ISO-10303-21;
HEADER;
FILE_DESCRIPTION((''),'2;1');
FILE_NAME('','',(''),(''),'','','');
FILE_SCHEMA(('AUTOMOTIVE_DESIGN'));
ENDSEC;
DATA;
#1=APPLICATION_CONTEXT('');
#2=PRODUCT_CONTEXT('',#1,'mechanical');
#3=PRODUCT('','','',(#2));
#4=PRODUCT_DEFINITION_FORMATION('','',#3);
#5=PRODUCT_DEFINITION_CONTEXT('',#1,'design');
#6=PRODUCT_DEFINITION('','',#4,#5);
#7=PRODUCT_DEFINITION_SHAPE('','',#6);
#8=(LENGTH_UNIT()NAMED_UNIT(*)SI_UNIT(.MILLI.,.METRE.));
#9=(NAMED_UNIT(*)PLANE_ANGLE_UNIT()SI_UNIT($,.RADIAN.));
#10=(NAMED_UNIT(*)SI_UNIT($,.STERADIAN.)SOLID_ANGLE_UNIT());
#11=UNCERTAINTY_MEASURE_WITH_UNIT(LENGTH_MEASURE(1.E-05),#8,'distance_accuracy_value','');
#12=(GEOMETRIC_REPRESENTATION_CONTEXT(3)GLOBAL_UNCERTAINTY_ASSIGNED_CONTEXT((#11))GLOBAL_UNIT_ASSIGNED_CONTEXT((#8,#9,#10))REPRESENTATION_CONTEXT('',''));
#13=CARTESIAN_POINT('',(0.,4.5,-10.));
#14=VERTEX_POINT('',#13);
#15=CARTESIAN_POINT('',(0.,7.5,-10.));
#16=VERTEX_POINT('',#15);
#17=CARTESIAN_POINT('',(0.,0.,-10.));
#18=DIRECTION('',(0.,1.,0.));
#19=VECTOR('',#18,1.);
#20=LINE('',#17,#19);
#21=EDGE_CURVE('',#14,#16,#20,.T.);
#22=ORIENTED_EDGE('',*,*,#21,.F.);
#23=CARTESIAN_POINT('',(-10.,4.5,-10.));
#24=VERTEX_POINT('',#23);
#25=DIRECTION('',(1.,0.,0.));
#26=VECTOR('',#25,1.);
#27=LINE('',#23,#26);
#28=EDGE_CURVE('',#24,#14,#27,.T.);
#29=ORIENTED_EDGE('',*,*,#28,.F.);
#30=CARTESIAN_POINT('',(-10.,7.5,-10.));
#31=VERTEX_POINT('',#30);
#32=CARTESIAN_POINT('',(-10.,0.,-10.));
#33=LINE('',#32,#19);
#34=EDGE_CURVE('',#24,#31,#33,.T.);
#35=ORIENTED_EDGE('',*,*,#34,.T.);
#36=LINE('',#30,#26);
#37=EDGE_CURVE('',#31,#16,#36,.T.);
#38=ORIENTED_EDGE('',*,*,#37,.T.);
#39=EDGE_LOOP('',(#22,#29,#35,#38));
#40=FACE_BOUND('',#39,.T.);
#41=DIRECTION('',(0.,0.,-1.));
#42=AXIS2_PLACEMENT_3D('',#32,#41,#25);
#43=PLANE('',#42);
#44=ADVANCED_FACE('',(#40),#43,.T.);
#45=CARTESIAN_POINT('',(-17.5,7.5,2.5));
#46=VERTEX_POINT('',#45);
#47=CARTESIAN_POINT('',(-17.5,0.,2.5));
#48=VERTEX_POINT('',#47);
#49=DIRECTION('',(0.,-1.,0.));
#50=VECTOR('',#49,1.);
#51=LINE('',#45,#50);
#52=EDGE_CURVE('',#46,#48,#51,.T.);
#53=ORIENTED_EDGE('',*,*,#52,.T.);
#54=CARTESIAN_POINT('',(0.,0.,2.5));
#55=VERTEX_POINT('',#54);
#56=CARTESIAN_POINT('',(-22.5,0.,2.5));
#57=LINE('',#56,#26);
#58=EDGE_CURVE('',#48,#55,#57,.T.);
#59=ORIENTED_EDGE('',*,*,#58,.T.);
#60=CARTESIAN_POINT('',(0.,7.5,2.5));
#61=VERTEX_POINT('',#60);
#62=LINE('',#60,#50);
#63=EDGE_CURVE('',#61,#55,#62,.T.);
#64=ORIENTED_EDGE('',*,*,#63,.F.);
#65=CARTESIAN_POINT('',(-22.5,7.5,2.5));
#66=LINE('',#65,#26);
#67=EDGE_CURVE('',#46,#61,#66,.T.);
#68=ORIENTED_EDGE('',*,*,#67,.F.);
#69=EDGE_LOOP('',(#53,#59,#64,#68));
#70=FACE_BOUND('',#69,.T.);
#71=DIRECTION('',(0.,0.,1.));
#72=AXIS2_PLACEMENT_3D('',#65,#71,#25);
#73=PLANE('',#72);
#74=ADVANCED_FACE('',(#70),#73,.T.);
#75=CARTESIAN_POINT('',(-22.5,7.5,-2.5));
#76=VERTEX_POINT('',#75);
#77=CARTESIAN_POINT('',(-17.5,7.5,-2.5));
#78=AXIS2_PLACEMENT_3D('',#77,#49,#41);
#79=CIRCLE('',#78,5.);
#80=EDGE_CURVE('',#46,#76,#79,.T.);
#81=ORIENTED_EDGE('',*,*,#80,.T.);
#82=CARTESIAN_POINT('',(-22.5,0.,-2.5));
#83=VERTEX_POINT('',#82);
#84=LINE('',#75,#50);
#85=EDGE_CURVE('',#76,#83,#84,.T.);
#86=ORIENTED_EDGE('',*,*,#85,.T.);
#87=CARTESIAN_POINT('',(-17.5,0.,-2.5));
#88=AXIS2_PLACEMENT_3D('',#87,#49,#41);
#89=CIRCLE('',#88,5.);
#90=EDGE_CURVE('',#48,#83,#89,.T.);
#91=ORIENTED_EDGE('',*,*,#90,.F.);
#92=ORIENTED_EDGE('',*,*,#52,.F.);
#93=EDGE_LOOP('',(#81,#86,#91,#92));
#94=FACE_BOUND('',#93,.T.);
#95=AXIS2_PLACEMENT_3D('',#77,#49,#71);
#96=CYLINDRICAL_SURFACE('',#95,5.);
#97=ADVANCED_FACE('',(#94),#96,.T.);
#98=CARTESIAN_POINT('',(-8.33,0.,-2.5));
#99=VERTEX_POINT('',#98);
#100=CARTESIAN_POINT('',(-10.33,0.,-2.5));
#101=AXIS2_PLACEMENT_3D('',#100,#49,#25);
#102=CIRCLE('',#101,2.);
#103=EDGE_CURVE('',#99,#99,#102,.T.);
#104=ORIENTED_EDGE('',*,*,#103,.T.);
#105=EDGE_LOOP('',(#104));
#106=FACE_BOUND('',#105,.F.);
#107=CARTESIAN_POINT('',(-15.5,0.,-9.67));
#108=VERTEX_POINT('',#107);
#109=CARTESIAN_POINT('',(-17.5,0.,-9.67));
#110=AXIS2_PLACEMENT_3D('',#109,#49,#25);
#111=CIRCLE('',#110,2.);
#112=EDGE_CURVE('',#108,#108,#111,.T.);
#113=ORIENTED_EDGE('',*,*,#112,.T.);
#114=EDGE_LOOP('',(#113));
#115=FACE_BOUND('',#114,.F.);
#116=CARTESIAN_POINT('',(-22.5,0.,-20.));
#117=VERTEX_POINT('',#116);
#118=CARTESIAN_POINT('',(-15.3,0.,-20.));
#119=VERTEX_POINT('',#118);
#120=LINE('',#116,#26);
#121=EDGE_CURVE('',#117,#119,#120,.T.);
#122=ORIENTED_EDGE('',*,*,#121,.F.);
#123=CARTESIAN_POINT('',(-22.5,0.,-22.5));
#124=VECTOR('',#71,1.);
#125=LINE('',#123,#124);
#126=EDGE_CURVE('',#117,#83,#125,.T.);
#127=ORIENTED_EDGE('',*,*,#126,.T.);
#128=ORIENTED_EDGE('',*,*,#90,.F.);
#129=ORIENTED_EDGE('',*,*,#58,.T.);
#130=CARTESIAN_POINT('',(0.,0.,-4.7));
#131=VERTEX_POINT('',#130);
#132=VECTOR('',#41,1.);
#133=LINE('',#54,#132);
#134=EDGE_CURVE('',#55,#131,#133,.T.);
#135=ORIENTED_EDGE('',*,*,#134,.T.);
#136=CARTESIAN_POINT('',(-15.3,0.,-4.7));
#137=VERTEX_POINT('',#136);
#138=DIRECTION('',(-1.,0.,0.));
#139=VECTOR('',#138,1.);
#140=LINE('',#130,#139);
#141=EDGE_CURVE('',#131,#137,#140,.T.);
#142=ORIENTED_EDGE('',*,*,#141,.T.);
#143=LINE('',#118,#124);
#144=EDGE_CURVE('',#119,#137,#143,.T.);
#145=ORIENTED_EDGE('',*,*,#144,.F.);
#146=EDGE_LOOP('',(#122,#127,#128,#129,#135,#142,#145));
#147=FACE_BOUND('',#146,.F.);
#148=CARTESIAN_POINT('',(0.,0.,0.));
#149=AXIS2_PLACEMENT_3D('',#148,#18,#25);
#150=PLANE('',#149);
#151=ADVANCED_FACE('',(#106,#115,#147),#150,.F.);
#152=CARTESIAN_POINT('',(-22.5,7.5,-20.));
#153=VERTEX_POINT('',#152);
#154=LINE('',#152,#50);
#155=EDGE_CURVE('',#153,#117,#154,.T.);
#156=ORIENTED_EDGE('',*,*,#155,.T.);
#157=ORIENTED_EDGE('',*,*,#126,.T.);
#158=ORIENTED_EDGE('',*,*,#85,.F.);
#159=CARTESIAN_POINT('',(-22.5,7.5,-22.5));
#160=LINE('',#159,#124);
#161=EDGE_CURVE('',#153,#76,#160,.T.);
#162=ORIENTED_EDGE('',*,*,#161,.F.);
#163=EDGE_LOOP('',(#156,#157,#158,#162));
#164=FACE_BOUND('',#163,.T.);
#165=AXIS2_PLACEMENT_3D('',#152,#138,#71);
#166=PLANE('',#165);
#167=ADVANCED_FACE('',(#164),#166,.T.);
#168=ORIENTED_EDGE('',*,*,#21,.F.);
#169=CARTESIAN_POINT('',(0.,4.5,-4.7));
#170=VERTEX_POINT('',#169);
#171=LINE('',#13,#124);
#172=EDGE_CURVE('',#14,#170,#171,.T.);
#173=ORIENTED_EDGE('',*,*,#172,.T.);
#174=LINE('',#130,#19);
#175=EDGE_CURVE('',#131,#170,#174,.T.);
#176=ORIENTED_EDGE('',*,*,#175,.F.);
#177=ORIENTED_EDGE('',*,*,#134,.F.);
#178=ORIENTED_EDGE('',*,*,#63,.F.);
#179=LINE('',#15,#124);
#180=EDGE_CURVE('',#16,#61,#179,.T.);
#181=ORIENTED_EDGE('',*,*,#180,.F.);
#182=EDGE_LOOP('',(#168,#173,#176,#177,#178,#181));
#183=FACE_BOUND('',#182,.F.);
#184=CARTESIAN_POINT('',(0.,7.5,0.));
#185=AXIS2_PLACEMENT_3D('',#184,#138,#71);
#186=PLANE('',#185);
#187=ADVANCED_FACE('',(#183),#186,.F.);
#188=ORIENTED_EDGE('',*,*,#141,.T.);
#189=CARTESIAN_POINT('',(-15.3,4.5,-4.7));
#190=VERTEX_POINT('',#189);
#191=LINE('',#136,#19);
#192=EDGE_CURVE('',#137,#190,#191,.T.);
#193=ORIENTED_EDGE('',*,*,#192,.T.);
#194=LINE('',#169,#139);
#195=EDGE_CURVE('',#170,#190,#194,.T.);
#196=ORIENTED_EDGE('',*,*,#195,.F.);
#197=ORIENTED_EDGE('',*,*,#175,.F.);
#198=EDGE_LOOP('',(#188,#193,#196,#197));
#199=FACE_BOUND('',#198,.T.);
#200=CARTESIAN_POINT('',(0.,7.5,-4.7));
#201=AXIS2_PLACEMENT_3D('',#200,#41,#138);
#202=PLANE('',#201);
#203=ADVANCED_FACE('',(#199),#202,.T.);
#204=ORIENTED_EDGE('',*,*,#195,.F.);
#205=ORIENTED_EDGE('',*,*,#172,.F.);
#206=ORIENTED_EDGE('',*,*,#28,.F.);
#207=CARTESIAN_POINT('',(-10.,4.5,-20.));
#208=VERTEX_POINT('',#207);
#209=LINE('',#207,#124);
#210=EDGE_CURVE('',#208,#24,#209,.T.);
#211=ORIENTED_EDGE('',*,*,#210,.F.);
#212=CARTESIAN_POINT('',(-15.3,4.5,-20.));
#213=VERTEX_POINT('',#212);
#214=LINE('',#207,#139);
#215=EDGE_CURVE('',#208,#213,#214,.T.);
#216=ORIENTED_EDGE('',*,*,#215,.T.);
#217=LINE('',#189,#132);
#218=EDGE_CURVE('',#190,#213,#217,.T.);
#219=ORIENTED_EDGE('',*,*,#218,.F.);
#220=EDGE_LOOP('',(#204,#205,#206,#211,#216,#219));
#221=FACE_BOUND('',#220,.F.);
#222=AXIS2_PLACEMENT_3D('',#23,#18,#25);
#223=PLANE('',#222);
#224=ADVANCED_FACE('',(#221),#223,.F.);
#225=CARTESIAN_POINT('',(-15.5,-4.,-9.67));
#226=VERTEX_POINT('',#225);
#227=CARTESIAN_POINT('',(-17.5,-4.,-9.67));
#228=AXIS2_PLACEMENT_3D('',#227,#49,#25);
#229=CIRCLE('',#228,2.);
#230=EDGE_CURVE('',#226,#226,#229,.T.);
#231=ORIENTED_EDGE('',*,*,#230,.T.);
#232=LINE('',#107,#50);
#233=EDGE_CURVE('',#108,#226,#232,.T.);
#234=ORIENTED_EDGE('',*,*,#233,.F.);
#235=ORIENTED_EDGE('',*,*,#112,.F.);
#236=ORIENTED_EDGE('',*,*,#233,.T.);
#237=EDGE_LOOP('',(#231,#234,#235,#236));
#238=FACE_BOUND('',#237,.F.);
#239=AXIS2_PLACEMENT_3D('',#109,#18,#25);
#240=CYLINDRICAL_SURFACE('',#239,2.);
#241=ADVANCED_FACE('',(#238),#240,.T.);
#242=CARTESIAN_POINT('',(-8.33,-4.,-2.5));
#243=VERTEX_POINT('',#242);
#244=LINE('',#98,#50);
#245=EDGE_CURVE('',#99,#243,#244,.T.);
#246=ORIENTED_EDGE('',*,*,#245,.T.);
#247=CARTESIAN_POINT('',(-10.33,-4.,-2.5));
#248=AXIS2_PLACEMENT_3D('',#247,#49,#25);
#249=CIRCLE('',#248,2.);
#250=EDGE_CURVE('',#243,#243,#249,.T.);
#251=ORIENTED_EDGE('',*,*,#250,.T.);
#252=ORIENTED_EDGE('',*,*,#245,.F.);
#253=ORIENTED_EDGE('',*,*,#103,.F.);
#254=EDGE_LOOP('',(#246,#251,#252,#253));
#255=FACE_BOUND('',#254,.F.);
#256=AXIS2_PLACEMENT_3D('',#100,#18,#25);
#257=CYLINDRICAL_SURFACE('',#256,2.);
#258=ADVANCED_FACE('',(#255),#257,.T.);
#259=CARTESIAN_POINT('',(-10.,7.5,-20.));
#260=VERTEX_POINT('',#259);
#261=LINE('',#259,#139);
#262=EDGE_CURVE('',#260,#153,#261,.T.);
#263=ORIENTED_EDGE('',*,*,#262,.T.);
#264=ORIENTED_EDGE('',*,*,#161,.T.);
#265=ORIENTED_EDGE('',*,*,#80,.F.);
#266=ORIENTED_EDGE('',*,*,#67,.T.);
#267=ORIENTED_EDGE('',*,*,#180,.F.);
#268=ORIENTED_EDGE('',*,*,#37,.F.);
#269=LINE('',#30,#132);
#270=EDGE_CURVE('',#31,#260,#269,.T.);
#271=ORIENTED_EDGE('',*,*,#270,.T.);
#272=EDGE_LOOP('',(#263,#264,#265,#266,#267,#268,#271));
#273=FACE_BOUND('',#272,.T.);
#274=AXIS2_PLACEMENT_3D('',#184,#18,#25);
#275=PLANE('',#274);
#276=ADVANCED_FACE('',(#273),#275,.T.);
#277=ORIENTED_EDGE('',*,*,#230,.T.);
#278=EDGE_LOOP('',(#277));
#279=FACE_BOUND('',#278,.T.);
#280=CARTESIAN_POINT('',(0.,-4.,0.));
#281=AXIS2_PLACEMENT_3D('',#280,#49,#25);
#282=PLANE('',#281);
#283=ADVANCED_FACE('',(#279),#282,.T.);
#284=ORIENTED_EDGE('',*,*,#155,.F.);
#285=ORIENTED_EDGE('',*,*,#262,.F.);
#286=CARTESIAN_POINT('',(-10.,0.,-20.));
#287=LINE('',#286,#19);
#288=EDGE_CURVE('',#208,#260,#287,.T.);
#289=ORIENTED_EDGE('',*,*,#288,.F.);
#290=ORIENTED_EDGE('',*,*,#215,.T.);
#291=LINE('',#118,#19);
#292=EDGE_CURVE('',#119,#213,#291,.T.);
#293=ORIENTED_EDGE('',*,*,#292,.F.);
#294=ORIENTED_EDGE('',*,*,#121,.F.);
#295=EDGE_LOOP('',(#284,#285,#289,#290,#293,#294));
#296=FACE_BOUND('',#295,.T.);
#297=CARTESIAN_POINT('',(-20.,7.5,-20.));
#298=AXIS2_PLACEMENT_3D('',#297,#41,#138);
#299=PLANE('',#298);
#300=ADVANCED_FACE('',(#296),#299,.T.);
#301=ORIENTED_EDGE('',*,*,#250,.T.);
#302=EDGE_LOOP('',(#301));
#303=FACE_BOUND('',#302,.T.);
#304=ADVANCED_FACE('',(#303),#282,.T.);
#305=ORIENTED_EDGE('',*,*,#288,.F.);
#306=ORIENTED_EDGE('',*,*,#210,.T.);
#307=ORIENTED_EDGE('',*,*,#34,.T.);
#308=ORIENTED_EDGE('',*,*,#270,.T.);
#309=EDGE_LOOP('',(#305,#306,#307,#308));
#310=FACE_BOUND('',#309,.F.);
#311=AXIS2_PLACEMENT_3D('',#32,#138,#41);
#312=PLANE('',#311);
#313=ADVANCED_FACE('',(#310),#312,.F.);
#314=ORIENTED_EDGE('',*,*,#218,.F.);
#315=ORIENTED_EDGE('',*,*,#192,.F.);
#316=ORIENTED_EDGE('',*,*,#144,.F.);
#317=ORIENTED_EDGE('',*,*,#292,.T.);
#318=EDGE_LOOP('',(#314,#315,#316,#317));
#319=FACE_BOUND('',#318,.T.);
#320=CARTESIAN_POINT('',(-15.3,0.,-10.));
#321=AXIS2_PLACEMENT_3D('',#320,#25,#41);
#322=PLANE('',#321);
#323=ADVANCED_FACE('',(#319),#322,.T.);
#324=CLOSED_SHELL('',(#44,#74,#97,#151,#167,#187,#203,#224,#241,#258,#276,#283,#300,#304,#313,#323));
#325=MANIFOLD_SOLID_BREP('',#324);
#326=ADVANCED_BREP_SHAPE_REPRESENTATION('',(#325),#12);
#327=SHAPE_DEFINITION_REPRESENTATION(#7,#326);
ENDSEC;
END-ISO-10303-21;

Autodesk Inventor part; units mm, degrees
ref_plane "YZ Plane" through (0, 0, 0) normal (1, 0, 0) x (0, 1, 0)
ref_plane "XZ Plane" through (0, 0, 0) normal (0, 1, 0) x (-1, 0, 0)
ref_plane "XY Plane" through (0, 0, 0) normal (0, 0, 1) x (1, 0, 0)
sketch "Sketch1" plane through (0, 0, 0) normal (0, 1, 0) x (-1, 0, 0)
  line L0 (0, 0) -> (10, 0)
  line L1 (0, 0) -> (20, 0)
  line L2 (20, 0) -> (20, -20)
  line L3 (20, -20) -> (0, -20)
  line L4 (0, -10) -> (0, 0)
  line L5 (10, -10) -> (10, -20)
  line L6 (10, -10) -> (0, -10)
  dimension "d3" = 20
  dimension "d4" = 20
extrude "Extrusion1" add sketch "Sketch1" along normal blind 7.5
sketch "Sketch2" plane through (-10, 0, -10) normal (1, 0, 0) x (0, 0, -1)
  line L0 (0, 0) -> (10, 0) projected
  line L1 (10, 0) -> (10, 7.5) projected
  line L2 (0, 7.5) -> (10, 7.5) projected
  line L3 (0, 0) -> (0, 7.5) projected
  line L4 (-10, 0) -> (0, 0) projected
  line L5 (0, 0) -> (0, 7.5) projected
  line L6 (-10, 7.5) -> (0, 7.5) projected
  line L7 (-10, 0) -> (-10, 7.5) projected
  line L8 (10, 0) -> (10, 7.5) projected
  line L9 (10, 4.5) -> (-10, 4.5)
  point P0 (0, 4.5)
  dimension "d18" = 4.5
extrude "Extrusion2" cut sketch "Sketch2" against normal blind 5.3 contours L3 L9 L1 L0
sketch "Sketch3" plane through (0, 7.5, -10) normal (0, 0, -1) x (-1, 0, 0)
  line L0 (0, -7.5) -> (15.3, -7.5) projected
  line L1 (15.3, -7.5) -> (15.3, -3) projected
  line L2 (10, -3) -> (15.3, -3) projected
  line L3 (10, -3) -> (10, 0) projected
  line L4 (0, 0) -> (10, 0) projected
  line L5 (0, -7.5) -> (0, 0) projected
  line L6 (10, -3) -> (0, -3)
  line L7 (0, -7.5) -> (0, 0) projected
extrude "Extrusion3" cut sketch "Sketch3" against normal blind 5.3 contours L5 L6 L2 L1 L0
sketch "Sketch4" plane through (0, 0, 0) normal (0, -1, 0) x (1, 0, 0)
  line L0 (-15.3, -20) -> (-15.3, -4.7) projected
  line L1 (-15.3, -4.7) -> (0, -4.7) projected
  line L2 (0, 0) -> (0, -4.7) projected
  line L3 (-20, 0) -> (0, 0) projected
  line L4 (-20, -20) -> (-20, 0) projected
  line L5 (-15.3, -20) -> (-20, -20) projected
  line L6 (0, 0) -> (0, -10) projected
  circle A0 centre (-10.33, -2.5) radius 2
  circle A1 centre (-17.5, -9.67) radius 2
  dimension "d11" = 4
  dimension "d12" = 4
  dimension "d16" = 9.67
  dimension "d17" = 9.67
extrude "Extrusion4" add sketch "Sketch4" along normal blind 4 contours A0 | A1
fillet "Fillet1" radius 2 1 edges at (-20, 3.75, 0)
sketch "Sketch5" plane through (0, 7.5, 0) normal (0, 1, 0) x (1, 0, 0)
  arc A0 (-20, 2) -> (-18, 0) centre (-18, 2) ccw projected
  line L0 (-18, 0) -> (0, 0) projected
  line L1 (0, 0) -> (0, 10) projected
  line L2 (0, 10) -> (-10, 10) projected
  line L3 (-10, 10) -> (-10, 20) projected
  line L4 (-10, 20) -> (-20, 20) projected
  line L5 (-20, 20) -> (-20, 2) projected
  line L6 (2.5, 22.5) -> (-22.5, 22.5)
  line L7 (-22.5, 22.5) -> (-22.5, -2.5)
  line L8 (-22.5, -2.5) -> (2.5, -2.5)
  line L9 (2.5, -2.5) -> (2.5, 22.5)
  line L10 (2.5, 22.5) -> (-22.5, -2.5) construction
  line L11 (-22.5, 22.5) -> (2.5, -2.5) construction
  line L12 (-15.3, 20) -> (-20, 20) projected
  line L13 (-20, 20) -> (-22.5, 20)
  line L14 (0, 0) -> (0, -2.5)
  dimension "d19" = 25
  dimension "d20" = 25
extrude "Extrusion5" add sketch "Sketch5" against normal blind 7.5 contours A0 L0 L14 L8 L7 L13 L5
fillet "Fillet2" radius 5 1 edges at (-22.5, 3.75, 2.5)
properties part number "PresasPlaca_3DPrint"
